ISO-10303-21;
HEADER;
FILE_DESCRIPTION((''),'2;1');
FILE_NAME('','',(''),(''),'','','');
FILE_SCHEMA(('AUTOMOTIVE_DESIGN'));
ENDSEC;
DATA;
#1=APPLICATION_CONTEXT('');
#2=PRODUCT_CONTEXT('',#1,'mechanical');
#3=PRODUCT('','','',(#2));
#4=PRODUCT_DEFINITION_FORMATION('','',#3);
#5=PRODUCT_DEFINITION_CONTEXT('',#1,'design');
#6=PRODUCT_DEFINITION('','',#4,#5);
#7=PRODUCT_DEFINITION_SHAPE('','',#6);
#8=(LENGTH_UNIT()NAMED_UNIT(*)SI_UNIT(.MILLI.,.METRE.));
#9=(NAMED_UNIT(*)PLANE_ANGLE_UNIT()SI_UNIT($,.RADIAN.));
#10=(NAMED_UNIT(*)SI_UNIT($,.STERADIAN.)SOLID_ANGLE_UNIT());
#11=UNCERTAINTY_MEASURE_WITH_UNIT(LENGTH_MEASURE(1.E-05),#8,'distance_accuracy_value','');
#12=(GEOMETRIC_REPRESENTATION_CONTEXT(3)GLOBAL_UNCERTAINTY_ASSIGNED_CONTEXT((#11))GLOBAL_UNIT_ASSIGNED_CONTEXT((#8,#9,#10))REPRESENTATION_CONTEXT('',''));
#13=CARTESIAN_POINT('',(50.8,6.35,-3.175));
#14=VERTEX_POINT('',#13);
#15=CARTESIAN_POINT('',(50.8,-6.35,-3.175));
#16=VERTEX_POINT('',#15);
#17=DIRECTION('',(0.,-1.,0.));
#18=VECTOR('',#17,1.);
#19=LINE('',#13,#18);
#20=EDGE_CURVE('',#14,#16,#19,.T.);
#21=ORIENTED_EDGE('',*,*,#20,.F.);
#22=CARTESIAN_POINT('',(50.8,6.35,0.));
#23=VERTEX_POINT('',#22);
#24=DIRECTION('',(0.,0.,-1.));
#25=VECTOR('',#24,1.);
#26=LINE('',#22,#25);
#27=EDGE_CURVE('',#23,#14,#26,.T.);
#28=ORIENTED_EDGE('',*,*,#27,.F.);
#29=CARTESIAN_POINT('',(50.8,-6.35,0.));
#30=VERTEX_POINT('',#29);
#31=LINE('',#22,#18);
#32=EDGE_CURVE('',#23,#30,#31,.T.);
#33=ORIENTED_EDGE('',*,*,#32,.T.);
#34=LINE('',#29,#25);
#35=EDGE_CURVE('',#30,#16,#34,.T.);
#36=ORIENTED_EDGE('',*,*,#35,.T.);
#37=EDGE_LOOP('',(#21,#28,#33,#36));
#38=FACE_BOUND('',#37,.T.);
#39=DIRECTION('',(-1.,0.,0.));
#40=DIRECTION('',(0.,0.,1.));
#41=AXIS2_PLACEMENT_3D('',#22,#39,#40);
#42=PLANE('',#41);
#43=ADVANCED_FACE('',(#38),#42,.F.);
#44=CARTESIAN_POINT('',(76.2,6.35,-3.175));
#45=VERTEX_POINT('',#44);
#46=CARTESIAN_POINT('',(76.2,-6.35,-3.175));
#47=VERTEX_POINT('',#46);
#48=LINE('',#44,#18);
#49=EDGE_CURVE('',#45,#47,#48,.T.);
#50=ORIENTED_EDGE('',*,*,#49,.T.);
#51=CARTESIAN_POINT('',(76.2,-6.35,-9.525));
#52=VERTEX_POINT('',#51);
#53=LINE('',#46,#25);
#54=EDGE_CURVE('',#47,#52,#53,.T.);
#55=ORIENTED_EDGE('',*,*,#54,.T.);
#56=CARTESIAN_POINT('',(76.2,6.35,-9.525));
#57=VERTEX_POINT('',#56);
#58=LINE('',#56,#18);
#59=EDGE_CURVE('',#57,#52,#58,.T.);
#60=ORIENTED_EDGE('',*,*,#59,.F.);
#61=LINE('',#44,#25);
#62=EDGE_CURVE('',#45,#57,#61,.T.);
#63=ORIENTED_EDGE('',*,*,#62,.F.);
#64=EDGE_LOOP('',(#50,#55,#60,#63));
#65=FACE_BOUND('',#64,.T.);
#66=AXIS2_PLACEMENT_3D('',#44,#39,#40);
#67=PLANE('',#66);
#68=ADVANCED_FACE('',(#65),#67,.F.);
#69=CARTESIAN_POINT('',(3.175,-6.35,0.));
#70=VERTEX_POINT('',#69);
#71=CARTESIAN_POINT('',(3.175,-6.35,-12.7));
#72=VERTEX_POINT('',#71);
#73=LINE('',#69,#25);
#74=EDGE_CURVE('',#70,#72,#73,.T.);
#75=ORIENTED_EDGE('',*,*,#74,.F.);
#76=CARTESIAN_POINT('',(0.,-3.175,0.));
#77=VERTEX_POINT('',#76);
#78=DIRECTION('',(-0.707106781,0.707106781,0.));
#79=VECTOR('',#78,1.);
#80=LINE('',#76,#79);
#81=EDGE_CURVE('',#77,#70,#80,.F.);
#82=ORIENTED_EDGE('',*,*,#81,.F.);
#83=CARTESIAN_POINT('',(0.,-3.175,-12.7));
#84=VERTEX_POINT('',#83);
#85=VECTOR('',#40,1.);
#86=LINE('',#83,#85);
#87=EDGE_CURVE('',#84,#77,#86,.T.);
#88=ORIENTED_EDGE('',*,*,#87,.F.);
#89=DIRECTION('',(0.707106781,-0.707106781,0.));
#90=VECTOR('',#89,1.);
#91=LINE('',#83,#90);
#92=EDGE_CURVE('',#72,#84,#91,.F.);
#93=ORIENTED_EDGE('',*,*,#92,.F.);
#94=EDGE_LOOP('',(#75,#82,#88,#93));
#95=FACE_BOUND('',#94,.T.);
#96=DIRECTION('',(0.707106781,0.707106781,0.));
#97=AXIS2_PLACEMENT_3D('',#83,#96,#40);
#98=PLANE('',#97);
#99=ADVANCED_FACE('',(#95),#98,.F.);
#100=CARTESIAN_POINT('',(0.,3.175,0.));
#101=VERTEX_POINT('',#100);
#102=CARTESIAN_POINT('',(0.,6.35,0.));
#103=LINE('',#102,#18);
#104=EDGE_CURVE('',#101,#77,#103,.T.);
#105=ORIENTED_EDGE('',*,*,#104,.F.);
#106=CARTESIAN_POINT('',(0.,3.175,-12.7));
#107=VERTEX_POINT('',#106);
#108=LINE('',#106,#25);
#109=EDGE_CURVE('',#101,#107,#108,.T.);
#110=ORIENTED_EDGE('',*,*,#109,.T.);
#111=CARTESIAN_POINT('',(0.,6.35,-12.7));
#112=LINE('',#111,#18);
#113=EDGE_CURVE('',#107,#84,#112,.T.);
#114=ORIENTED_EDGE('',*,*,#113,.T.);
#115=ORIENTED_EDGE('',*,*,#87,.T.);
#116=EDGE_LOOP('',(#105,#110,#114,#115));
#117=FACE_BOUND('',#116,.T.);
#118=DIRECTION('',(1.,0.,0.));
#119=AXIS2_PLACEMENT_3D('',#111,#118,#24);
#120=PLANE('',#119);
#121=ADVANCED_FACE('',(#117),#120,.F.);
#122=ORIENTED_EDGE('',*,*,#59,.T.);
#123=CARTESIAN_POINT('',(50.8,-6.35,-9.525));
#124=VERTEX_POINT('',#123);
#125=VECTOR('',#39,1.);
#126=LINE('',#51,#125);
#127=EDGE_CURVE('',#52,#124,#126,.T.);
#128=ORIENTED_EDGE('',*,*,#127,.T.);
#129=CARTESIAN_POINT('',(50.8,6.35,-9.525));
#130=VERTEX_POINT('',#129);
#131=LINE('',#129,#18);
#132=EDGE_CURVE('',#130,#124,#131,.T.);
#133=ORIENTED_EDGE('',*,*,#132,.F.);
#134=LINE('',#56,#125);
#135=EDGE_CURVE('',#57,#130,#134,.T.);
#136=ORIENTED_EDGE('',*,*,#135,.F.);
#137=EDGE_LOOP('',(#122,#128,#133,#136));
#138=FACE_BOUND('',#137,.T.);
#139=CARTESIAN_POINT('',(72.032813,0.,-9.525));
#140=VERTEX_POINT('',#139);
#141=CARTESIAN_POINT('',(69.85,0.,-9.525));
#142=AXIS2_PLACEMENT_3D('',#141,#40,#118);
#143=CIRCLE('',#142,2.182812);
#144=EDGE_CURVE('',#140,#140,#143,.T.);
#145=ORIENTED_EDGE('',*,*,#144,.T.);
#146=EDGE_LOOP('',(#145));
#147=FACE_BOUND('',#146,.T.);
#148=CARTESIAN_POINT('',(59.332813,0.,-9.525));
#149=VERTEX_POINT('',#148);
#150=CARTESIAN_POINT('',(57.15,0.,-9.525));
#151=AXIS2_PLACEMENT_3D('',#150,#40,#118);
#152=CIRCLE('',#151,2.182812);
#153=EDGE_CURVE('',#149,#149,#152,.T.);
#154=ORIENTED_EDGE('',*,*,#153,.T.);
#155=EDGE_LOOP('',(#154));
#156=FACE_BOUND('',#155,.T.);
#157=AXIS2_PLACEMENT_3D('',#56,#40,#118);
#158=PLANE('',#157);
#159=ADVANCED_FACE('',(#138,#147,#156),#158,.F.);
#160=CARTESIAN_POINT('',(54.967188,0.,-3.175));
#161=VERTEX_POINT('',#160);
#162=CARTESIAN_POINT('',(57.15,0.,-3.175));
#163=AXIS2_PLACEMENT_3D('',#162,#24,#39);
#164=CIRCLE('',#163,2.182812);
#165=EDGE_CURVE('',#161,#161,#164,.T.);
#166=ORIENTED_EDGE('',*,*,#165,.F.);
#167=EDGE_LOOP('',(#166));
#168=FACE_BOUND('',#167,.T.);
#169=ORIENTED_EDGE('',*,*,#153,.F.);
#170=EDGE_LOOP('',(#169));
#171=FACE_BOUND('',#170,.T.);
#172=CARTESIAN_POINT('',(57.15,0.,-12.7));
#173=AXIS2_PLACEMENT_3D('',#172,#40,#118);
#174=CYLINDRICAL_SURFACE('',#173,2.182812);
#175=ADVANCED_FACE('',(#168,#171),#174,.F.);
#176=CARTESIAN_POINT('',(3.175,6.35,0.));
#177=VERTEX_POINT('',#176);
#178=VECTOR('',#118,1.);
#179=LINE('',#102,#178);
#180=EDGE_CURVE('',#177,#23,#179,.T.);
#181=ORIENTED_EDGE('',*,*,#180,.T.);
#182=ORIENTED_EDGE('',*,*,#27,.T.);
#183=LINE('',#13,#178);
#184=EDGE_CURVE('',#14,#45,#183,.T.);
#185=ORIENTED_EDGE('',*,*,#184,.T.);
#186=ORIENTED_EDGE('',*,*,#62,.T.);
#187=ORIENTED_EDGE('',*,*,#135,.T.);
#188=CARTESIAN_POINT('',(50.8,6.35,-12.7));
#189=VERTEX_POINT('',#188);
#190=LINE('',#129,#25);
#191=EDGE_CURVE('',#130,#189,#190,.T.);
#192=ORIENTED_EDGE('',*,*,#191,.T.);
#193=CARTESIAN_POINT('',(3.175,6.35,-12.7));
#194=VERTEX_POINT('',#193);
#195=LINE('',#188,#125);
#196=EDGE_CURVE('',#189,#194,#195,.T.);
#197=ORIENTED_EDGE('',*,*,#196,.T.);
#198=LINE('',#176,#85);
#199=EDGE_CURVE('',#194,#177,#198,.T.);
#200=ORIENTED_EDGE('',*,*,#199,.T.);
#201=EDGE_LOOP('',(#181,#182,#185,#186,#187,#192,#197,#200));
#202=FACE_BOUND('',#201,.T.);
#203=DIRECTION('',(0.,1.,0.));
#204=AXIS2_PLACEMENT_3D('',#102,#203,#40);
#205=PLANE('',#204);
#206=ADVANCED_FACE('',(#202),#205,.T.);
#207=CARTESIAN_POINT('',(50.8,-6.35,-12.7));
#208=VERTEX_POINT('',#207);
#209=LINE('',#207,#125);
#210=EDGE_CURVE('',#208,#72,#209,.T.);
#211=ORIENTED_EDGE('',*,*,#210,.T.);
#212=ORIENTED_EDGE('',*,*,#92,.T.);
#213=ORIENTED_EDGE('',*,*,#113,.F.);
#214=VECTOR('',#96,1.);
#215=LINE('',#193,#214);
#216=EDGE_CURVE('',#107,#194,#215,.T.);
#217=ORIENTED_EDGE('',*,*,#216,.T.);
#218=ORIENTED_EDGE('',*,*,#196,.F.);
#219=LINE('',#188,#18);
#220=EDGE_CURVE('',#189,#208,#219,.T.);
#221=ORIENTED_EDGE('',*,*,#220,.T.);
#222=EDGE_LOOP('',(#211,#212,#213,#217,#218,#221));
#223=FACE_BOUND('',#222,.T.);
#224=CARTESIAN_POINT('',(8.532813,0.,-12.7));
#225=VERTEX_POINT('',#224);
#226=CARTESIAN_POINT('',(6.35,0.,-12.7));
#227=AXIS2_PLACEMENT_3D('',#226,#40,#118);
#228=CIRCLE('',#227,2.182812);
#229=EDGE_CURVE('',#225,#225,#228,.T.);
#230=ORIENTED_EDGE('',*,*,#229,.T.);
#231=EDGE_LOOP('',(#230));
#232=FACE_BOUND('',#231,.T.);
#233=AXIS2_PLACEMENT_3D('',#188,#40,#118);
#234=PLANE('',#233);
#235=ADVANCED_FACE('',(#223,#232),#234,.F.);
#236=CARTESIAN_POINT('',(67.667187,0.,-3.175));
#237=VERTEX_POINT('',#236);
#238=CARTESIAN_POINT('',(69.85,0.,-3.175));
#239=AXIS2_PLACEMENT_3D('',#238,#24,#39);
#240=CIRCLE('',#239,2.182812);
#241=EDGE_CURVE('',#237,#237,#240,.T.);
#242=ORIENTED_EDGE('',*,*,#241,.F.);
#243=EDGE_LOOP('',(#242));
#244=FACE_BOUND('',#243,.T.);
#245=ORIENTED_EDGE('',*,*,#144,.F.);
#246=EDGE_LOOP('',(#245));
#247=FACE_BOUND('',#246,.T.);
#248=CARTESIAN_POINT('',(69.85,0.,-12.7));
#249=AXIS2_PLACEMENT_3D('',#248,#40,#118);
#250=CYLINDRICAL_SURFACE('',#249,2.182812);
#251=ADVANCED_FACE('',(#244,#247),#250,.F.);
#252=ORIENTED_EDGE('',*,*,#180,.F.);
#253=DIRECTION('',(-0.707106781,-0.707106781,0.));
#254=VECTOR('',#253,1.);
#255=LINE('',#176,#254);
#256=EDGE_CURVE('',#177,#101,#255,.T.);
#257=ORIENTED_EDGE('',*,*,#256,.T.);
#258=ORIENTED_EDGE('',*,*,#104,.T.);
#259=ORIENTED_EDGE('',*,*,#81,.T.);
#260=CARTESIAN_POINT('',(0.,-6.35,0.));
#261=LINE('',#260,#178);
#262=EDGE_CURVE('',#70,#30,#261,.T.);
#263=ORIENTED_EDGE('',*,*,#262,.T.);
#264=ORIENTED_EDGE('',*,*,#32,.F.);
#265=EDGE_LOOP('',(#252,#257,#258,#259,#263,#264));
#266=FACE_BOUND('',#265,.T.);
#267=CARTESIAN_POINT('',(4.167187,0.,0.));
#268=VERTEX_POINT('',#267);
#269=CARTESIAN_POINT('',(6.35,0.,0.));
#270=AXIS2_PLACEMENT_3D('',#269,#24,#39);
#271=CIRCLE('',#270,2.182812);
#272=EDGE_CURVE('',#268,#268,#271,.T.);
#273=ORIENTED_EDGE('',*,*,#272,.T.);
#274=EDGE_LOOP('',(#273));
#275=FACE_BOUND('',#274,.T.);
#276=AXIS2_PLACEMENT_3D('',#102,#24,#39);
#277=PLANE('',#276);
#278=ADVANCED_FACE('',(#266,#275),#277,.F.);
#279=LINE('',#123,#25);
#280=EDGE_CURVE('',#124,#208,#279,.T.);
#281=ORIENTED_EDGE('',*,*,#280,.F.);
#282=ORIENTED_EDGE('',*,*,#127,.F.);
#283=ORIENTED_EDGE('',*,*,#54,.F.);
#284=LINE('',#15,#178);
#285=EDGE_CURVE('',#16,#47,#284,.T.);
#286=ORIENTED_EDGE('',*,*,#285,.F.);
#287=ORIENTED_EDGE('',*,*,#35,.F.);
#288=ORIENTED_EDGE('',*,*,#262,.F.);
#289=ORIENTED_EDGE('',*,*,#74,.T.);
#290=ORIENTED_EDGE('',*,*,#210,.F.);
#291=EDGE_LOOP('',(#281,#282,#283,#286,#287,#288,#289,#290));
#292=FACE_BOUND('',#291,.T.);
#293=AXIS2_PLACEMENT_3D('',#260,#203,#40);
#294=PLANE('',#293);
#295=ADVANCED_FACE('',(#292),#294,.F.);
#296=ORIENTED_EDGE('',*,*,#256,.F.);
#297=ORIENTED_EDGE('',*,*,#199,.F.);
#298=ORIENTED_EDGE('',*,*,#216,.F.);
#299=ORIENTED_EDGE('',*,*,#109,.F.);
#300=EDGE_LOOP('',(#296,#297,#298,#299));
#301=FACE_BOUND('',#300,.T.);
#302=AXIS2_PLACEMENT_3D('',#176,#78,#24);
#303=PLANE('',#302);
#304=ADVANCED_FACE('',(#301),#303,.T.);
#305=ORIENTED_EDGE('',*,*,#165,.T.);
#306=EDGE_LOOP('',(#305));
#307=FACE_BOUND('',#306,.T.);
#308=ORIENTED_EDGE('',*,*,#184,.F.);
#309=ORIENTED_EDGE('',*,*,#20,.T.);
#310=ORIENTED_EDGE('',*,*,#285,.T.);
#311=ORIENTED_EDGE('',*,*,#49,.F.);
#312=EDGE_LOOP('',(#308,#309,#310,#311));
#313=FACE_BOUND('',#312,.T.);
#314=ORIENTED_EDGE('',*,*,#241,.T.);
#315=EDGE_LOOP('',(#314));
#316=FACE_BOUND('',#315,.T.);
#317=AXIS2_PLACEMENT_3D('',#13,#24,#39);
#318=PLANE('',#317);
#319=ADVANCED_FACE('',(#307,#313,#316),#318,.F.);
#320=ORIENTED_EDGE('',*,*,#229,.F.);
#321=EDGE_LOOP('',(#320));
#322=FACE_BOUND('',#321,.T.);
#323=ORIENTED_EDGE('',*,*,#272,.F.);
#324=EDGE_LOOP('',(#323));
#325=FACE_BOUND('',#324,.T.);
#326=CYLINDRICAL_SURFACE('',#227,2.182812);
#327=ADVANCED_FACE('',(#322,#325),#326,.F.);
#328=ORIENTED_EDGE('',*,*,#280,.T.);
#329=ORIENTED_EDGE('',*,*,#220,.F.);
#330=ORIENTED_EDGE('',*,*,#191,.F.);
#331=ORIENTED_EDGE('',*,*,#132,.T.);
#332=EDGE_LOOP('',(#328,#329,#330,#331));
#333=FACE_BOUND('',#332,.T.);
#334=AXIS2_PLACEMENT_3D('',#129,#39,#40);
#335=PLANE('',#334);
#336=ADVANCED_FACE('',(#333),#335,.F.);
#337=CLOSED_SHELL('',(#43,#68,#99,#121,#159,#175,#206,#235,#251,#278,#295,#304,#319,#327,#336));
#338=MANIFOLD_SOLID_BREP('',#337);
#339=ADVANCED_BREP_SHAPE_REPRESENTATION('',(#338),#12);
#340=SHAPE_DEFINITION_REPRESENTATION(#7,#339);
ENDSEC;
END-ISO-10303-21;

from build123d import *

# Parameters (mm, degrees)
BOSS_EXTRUDE1_DEPTH     = 6.35
CUT_EXTRUDE1_DEPTH      = 78.51162816
CUT_EXTRUDE1_DEPTH_BACK = 78.51162816
SKETCH2_R               = 2.1828125
CHAMFER1_SIZE           = 3.175


with BuildPart() as part:
    # Sketch1 → Boss-Extrude1 (new, symmetric)
    with BuildSketch(Plane(origin=(0, 0, 0), x_dir=(1, 0, 0), z_dir=(0, 1, 0))):
        Polygon((0, 0), (50.8, 0), (50.8, 3.175), (76.2, 3.175), (76.2, 9.525), (50.8, 9.525), (50.8, 12.7), (0, 12.7), align=None)
    extrude(amount=BOSS_EXTRUDE1_DEPTH, both=True)

    # Sketch2 → Cut-Extrude1 (cut, two sides: drawn at the far end of the back side and taken through both)
    with BuildSketch(Plane.XY.offset(-CUT_EXTRUDE1_DEPTH_BACK)):
        with Locations((6.35, 0)):
            Circle(SKETCH2_R)
        with Locations((57.15, 0)):
            Circle(SKETCH2_R)
        with Locations((69.85, 0)):
            Circle(SKETCH2_R)
    extrude(amount=CUT_EXTRUDE1_DEPTH + CUT_EXTRUDE1_DEPTH_BACK, mode=Mode.SUBTRACT)

    # Chamfer1
    chamfer1_edges = [part.edges().sort_by_distance(p)[0] for p in [
        (0, -6.35, -6.35),
        (0, 6.35, -6.35),
    ]]
    chamfer(chamfer1_edges, length=CHAMFER1_SIZE)


solid = part.part
